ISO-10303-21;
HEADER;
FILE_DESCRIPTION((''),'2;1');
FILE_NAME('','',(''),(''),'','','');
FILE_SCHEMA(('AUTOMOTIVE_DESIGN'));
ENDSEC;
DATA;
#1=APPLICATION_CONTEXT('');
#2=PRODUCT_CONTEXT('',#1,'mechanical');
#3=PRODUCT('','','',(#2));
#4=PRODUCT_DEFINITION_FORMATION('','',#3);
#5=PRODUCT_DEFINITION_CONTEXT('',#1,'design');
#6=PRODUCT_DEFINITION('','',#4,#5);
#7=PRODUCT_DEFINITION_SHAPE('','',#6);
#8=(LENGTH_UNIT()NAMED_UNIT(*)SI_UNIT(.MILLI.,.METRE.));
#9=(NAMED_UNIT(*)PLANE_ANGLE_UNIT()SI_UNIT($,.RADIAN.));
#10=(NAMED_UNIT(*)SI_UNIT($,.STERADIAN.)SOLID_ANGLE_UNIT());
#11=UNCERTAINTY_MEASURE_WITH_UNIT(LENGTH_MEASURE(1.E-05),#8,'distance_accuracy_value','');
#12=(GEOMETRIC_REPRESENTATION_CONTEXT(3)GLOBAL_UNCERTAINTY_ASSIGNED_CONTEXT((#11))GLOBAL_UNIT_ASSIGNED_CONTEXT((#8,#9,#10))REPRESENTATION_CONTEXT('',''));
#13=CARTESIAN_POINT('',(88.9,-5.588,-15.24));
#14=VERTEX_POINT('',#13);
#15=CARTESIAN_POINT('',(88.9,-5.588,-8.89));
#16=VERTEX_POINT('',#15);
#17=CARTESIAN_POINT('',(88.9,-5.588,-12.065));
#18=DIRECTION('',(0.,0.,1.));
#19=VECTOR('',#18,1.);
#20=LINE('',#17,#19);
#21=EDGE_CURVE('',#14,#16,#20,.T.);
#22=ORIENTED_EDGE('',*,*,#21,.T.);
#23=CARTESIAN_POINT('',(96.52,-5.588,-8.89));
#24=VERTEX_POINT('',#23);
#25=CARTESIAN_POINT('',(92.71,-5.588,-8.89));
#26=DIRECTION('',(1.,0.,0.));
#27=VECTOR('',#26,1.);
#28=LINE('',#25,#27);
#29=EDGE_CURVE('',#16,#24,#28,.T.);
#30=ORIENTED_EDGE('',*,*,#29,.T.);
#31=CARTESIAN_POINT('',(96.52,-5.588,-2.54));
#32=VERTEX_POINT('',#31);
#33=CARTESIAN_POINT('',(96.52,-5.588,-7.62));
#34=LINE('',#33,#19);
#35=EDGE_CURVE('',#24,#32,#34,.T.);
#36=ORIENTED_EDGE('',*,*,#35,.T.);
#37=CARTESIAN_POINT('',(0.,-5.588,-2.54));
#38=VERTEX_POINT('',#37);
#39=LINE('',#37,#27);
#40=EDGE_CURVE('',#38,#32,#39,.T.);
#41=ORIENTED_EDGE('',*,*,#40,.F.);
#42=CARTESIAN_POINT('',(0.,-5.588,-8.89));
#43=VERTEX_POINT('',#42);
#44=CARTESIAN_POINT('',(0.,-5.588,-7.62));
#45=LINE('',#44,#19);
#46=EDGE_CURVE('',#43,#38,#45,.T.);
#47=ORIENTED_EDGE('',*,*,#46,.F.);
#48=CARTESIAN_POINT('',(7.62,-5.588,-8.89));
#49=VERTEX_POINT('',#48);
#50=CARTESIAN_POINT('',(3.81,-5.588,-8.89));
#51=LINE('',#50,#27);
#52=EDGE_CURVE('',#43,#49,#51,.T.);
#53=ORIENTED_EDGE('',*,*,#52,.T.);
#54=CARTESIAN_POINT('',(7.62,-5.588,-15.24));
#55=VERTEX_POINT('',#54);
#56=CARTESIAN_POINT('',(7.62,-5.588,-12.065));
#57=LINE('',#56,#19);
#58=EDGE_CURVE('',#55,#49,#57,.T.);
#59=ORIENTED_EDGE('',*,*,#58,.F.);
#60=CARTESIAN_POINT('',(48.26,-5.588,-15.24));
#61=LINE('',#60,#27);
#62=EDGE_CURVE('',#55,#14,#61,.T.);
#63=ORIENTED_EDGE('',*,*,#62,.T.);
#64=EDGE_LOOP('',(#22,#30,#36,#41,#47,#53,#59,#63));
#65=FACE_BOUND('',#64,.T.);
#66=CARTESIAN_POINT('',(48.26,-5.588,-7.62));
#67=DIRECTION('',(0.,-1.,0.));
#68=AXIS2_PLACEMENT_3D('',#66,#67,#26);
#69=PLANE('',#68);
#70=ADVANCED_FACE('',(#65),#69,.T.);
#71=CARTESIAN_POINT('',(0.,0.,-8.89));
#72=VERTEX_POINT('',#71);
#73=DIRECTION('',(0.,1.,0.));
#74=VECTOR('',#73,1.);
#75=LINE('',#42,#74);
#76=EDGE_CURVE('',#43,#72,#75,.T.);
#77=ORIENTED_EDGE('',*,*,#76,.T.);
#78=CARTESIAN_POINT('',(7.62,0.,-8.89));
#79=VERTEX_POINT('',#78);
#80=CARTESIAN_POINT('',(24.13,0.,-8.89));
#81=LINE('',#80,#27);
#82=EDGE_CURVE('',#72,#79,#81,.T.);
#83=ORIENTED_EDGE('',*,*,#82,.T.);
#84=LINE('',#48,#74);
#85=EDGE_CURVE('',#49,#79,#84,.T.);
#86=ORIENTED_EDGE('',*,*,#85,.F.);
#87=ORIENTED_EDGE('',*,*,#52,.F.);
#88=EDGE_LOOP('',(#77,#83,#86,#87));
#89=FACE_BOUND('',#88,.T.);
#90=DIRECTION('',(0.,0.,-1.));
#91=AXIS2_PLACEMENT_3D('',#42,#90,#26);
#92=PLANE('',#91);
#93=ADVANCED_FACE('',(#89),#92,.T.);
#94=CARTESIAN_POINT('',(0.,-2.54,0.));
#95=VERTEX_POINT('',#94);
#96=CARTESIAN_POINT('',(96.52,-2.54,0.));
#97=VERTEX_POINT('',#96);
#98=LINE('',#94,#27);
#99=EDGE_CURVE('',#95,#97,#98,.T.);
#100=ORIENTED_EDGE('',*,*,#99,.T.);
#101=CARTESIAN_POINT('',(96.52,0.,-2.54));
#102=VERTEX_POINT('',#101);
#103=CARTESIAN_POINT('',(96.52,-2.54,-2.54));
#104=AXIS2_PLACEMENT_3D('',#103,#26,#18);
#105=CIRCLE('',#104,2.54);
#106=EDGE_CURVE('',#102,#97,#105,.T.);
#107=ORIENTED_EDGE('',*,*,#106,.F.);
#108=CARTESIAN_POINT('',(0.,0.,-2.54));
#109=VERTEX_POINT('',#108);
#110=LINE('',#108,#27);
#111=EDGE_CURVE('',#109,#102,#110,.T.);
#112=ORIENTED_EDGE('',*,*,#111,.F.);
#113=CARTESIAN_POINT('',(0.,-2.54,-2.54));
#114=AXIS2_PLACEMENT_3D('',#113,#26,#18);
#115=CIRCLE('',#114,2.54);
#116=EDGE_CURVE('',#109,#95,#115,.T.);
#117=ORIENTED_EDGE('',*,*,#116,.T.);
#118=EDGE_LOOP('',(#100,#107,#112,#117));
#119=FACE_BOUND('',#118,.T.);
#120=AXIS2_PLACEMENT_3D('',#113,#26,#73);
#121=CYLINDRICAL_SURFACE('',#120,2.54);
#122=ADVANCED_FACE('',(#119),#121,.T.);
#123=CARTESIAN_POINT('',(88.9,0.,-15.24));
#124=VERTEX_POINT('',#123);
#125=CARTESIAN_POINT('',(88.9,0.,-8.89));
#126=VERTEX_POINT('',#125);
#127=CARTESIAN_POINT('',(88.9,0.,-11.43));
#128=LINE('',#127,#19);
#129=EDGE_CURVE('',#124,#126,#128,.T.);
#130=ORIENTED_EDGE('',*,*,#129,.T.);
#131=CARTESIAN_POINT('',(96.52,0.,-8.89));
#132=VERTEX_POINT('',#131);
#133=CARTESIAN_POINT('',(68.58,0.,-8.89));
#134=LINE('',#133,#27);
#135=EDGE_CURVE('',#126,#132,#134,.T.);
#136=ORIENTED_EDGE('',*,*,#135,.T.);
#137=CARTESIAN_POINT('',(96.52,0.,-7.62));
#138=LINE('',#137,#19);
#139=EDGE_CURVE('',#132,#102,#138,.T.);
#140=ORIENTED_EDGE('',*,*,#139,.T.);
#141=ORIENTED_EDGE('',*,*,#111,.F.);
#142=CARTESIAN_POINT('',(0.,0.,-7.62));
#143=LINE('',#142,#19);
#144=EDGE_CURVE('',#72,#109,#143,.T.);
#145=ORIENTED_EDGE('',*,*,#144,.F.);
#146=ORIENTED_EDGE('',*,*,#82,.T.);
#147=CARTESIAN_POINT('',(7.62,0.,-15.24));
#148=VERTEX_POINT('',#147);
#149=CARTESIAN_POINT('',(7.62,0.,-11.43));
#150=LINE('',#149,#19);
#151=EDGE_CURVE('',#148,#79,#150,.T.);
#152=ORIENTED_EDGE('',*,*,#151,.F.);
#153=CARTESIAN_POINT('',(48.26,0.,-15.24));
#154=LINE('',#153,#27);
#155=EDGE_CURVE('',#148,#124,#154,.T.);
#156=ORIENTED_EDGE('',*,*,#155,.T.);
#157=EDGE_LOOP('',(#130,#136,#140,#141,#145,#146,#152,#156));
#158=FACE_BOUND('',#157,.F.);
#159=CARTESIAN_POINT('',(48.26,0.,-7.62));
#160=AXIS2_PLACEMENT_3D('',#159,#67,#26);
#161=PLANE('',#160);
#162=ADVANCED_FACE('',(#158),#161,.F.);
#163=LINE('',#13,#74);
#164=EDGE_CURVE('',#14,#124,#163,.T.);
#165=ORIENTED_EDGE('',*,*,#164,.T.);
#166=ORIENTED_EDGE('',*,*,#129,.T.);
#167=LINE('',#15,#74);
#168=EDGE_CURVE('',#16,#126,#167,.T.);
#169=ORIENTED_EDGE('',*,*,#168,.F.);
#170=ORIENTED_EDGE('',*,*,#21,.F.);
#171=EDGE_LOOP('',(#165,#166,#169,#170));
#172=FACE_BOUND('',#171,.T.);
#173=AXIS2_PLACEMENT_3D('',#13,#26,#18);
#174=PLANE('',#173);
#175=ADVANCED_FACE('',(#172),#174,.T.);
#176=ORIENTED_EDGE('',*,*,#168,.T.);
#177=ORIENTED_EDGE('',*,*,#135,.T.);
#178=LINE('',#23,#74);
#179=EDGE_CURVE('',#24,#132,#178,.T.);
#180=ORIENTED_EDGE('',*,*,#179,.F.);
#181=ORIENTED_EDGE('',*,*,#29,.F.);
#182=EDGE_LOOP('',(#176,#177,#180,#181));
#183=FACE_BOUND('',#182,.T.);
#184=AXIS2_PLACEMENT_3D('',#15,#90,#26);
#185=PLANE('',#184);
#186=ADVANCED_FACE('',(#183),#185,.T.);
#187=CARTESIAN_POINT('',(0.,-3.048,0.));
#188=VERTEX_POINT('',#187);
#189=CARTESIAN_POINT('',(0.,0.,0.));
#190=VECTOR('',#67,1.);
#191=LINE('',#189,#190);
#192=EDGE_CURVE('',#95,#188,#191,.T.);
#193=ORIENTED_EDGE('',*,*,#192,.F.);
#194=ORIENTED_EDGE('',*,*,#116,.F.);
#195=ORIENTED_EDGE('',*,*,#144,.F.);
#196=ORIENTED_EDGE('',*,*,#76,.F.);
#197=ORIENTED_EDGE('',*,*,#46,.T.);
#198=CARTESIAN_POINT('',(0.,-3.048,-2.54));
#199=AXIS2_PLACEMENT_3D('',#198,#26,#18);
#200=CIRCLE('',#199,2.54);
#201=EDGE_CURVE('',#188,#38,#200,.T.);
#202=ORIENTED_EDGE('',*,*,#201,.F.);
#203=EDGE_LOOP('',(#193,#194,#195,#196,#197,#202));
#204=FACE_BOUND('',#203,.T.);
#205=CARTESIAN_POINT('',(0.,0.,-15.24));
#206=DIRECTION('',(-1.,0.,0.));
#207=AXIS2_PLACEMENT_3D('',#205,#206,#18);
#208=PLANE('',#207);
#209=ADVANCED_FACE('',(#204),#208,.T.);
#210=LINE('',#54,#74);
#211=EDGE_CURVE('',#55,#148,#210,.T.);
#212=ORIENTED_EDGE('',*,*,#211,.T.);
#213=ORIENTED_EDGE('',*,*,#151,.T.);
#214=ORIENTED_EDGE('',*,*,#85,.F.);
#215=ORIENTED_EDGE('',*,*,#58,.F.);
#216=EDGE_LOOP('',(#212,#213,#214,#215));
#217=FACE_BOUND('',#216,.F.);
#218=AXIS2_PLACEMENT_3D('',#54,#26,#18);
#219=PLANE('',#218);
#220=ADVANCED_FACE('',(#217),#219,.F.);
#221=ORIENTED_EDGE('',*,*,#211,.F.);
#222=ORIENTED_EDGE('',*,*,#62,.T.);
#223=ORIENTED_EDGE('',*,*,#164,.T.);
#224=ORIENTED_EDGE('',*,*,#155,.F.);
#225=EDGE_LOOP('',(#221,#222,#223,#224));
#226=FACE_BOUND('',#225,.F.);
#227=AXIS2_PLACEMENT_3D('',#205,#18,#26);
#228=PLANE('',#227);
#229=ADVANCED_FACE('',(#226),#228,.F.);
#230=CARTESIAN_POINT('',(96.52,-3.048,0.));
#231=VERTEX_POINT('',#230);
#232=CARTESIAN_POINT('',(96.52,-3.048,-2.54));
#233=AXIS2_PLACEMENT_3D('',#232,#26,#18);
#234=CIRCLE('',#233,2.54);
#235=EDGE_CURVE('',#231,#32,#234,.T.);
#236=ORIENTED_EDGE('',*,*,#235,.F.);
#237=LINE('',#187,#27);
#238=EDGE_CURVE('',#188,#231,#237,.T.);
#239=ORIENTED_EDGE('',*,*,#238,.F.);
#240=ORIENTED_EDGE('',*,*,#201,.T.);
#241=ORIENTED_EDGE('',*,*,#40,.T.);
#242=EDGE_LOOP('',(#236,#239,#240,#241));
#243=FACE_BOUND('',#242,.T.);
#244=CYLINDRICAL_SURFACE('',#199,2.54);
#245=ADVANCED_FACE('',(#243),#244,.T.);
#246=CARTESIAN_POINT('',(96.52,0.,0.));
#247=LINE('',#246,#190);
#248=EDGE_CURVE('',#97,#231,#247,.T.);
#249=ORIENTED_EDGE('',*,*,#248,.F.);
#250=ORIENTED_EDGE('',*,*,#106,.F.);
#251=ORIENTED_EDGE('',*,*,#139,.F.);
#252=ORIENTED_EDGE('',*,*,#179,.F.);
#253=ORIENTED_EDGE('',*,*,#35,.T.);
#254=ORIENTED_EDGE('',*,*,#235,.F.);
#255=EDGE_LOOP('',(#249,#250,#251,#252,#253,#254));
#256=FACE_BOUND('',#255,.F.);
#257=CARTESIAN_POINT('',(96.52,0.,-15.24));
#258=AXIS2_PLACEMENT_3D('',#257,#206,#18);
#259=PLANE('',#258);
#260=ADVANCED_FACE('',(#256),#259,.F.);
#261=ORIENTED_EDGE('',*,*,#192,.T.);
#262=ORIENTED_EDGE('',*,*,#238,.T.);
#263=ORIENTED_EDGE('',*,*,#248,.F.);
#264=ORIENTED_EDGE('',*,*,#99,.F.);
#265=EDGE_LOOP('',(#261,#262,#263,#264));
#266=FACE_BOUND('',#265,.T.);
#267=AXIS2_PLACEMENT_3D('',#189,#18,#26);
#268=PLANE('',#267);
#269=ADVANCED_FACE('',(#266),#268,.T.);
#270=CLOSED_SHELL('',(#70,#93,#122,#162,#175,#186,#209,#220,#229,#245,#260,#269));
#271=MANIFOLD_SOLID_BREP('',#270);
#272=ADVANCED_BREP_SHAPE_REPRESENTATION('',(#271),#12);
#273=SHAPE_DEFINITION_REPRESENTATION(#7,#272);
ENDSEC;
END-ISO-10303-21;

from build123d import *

# Parameters (mm, degrees)
F0_W     = 96.52
F0_H     = 15.24
F1_DEPTH = 5.588
F2_W     = 7.62
F2_H     = 6.35
F3_DEPTH = 25.4
F4_R     = 2.54


with BuildPart() as f1:
    # F0 (on Front) → F1 (new body)
    with BuildSketch(Plane.XZ):
        with Locations((48.26, -7.62)):
            Rectangle(F0_W, F0_H)
    extrude(amount=F1_DEPTH)

    # F2 (on face) → F3 (cut)
    with BuildSketch(Plane.XZ.offset(5.588)):
        with Locations((92.71, -12.065)):
            Rectangle(F2_W, F2_H)
        with Locations((3.81, -12.065)):
            Rectangle(F2_W, F2_H)
    extrude(amount=-F3_DEPTH, mode=Mode.SUBTRACT)

    # F4
    f4_edges = [f1.edges().sort_by_distance(p)[0] for p in [
        (48.26, 0, 0),
        (48.26, -5.588, 0),
    ]]
    fillet(f4_edges, radius=F4_R)


solid = f1.part
